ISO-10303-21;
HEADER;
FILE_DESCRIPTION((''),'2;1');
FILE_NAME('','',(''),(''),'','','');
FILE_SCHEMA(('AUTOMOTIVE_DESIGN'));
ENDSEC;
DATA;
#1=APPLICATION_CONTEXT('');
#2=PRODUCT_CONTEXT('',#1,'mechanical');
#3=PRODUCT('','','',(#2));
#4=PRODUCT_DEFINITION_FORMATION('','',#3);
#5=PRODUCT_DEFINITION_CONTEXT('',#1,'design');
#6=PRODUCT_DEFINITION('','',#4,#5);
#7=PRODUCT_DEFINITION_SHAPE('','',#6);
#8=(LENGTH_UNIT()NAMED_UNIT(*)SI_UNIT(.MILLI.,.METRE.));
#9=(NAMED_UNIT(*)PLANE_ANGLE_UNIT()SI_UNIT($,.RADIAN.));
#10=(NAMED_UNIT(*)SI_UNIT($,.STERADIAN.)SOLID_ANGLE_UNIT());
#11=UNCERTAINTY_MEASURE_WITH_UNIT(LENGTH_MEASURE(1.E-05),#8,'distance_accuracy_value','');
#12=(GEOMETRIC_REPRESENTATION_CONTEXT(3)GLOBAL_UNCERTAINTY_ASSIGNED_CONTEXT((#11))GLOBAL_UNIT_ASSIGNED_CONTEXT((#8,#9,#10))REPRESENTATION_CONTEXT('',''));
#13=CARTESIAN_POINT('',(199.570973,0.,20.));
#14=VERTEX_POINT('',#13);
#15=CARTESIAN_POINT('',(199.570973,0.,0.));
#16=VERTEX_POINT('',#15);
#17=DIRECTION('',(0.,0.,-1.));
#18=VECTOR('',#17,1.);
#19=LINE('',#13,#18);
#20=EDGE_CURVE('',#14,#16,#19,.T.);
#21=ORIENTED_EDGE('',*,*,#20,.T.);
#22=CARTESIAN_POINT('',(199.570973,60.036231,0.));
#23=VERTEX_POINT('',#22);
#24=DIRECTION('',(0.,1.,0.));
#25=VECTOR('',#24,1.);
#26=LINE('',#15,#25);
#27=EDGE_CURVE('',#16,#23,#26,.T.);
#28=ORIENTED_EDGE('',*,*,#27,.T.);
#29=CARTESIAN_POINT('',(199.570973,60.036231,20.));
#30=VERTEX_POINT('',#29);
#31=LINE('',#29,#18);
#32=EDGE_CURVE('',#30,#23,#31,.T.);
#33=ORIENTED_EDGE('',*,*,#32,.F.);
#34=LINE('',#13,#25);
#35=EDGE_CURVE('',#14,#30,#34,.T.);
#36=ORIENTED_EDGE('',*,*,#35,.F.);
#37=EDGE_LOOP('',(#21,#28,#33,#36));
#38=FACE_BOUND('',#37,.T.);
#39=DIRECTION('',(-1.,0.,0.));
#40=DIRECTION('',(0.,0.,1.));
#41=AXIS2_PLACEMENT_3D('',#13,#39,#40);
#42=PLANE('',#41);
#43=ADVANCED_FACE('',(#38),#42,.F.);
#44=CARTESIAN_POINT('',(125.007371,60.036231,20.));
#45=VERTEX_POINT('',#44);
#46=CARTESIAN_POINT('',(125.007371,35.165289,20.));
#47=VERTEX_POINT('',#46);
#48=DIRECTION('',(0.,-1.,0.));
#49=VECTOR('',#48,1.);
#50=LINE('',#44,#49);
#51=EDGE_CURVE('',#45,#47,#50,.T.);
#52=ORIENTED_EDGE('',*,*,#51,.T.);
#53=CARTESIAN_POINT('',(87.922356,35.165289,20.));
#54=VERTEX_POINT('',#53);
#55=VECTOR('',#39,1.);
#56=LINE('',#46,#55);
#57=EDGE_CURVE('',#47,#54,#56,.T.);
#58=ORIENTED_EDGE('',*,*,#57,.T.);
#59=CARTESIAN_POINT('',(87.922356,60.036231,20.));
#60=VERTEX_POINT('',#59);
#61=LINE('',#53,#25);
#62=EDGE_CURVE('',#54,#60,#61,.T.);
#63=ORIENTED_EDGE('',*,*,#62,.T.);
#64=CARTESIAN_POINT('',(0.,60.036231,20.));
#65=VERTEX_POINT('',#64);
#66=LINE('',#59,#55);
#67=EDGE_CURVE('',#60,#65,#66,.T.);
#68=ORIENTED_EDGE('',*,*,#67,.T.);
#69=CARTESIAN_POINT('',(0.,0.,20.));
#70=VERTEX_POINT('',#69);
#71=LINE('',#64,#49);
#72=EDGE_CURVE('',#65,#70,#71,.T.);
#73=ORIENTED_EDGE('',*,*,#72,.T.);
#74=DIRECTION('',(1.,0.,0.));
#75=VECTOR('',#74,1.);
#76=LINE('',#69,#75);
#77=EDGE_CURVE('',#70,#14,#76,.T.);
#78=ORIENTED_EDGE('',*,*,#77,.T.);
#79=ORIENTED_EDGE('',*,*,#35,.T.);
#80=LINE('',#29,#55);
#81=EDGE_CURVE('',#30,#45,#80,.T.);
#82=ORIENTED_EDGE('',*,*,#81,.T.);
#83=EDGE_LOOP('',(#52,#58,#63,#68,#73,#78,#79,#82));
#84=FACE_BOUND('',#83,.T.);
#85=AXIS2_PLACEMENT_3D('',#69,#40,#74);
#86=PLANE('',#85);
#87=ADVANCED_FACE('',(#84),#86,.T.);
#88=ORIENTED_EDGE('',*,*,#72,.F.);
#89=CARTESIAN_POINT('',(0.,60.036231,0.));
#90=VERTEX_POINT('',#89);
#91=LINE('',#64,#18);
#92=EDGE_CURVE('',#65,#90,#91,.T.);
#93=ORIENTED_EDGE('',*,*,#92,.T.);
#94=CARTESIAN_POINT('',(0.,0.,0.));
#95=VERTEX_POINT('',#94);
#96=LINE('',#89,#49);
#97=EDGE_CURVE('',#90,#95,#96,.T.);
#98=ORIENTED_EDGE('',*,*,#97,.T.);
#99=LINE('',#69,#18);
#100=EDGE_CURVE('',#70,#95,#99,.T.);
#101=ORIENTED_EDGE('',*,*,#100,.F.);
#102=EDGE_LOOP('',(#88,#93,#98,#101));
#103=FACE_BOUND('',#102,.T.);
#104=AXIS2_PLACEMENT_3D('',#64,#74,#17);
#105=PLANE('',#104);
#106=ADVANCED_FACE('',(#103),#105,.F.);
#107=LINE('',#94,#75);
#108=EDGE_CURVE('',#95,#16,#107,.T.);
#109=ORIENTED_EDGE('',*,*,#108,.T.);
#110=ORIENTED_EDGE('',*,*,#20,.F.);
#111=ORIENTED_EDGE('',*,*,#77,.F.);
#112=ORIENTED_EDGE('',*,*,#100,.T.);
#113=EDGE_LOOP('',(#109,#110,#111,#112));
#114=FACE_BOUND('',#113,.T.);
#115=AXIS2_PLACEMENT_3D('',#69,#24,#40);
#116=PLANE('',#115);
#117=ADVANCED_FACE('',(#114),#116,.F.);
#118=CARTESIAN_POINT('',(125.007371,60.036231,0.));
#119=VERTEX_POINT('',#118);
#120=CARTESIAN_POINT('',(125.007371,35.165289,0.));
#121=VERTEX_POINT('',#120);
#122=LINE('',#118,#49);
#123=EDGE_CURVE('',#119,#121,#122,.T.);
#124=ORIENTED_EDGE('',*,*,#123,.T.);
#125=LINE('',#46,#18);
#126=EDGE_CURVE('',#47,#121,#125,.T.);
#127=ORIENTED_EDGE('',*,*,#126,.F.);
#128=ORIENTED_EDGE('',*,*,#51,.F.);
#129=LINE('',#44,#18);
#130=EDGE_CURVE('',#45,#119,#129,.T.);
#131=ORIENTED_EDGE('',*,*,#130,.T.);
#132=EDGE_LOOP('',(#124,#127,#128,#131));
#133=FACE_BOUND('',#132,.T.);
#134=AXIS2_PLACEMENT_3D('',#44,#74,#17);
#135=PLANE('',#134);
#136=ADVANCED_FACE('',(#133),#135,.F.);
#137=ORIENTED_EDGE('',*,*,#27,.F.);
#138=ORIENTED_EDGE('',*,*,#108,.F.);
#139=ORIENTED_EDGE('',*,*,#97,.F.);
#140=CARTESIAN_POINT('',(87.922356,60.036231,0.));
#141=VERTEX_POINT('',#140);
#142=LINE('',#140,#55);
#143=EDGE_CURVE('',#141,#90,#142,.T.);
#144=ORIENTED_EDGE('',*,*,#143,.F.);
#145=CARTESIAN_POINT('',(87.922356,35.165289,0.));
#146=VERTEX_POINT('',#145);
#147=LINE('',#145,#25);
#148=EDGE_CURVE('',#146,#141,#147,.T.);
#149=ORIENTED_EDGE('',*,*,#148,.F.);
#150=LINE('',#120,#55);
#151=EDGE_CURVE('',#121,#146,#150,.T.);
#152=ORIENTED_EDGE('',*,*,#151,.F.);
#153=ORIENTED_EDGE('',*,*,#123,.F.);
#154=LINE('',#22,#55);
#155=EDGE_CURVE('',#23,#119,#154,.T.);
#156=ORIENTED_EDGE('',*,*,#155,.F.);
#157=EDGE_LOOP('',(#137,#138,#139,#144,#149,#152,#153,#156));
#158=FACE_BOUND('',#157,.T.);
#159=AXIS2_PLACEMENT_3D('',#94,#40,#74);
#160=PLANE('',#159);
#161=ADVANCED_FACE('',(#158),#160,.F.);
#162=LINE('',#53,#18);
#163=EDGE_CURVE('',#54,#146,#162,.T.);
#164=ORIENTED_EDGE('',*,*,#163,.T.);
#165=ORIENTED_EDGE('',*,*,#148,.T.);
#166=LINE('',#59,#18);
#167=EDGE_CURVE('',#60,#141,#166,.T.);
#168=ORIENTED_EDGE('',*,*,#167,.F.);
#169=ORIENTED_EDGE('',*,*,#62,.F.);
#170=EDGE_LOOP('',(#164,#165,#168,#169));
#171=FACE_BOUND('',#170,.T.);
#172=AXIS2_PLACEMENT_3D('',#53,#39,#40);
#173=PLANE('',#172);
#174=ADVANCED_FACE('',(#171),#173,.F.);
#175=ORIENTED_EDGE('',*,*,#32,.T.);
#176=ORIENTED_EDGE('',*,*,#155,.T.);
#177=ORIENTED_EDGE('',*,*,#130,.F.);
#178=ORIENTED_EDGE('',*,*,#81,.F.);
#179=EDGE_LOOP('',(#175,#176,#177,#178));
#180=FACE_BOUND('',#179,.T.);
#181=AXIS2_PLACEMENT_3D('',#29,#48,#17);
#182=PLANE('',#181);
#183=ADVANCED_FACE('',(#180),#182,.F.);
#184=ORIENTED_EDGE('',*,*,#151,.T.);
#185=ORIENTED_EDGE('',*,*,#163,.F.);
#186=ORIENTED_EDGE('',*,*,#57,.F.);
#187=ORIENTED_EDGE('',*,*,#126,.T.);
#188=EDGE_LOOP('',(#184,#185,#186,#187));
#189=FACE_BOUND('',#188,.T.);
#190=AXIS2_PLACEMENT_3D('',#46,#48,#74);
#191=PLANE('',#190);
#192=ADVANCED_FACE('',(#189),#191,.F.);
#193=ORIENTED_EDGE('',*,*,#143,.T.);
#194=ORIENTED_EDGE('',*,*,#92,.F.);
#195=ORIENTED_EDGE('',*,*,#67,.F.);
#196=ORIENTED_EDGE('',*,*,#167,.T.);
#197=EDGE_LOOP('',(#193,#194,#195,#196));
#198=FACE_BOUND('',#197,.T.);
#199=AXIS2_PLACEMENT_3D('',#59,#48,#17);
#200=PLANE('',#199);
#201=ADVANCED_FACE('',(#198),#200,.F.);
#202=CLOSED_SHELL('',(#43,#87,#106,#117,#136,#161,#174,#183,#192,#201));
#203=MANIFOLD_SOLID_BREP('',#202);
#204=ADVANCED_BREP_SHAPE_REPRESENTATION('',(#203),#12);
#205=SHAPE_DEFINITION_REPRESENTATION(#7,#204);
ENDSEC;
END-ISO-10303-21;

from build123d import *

# Parameters (mm, degrees)
EXTRUDE_1_DEPTH = 20


with BuildPart() as part:
    # Эскиз1 → Бобышка-Вытянуть1 (new body)
    with BuildSketch(Plane.XY):
        Polygon((0, 0), (199.570972782, 0), (199.570972782, 60.036230733), (125.007370997, 60.036230733), (125.007370997, 35.165288875), (87.922355901, 35.165288875), (87.922355901, 60.036230733), (0, 60.036230733), align=None)
    extrude(amount=EXTRUDE_1_DEPTH)


solid = part.part
